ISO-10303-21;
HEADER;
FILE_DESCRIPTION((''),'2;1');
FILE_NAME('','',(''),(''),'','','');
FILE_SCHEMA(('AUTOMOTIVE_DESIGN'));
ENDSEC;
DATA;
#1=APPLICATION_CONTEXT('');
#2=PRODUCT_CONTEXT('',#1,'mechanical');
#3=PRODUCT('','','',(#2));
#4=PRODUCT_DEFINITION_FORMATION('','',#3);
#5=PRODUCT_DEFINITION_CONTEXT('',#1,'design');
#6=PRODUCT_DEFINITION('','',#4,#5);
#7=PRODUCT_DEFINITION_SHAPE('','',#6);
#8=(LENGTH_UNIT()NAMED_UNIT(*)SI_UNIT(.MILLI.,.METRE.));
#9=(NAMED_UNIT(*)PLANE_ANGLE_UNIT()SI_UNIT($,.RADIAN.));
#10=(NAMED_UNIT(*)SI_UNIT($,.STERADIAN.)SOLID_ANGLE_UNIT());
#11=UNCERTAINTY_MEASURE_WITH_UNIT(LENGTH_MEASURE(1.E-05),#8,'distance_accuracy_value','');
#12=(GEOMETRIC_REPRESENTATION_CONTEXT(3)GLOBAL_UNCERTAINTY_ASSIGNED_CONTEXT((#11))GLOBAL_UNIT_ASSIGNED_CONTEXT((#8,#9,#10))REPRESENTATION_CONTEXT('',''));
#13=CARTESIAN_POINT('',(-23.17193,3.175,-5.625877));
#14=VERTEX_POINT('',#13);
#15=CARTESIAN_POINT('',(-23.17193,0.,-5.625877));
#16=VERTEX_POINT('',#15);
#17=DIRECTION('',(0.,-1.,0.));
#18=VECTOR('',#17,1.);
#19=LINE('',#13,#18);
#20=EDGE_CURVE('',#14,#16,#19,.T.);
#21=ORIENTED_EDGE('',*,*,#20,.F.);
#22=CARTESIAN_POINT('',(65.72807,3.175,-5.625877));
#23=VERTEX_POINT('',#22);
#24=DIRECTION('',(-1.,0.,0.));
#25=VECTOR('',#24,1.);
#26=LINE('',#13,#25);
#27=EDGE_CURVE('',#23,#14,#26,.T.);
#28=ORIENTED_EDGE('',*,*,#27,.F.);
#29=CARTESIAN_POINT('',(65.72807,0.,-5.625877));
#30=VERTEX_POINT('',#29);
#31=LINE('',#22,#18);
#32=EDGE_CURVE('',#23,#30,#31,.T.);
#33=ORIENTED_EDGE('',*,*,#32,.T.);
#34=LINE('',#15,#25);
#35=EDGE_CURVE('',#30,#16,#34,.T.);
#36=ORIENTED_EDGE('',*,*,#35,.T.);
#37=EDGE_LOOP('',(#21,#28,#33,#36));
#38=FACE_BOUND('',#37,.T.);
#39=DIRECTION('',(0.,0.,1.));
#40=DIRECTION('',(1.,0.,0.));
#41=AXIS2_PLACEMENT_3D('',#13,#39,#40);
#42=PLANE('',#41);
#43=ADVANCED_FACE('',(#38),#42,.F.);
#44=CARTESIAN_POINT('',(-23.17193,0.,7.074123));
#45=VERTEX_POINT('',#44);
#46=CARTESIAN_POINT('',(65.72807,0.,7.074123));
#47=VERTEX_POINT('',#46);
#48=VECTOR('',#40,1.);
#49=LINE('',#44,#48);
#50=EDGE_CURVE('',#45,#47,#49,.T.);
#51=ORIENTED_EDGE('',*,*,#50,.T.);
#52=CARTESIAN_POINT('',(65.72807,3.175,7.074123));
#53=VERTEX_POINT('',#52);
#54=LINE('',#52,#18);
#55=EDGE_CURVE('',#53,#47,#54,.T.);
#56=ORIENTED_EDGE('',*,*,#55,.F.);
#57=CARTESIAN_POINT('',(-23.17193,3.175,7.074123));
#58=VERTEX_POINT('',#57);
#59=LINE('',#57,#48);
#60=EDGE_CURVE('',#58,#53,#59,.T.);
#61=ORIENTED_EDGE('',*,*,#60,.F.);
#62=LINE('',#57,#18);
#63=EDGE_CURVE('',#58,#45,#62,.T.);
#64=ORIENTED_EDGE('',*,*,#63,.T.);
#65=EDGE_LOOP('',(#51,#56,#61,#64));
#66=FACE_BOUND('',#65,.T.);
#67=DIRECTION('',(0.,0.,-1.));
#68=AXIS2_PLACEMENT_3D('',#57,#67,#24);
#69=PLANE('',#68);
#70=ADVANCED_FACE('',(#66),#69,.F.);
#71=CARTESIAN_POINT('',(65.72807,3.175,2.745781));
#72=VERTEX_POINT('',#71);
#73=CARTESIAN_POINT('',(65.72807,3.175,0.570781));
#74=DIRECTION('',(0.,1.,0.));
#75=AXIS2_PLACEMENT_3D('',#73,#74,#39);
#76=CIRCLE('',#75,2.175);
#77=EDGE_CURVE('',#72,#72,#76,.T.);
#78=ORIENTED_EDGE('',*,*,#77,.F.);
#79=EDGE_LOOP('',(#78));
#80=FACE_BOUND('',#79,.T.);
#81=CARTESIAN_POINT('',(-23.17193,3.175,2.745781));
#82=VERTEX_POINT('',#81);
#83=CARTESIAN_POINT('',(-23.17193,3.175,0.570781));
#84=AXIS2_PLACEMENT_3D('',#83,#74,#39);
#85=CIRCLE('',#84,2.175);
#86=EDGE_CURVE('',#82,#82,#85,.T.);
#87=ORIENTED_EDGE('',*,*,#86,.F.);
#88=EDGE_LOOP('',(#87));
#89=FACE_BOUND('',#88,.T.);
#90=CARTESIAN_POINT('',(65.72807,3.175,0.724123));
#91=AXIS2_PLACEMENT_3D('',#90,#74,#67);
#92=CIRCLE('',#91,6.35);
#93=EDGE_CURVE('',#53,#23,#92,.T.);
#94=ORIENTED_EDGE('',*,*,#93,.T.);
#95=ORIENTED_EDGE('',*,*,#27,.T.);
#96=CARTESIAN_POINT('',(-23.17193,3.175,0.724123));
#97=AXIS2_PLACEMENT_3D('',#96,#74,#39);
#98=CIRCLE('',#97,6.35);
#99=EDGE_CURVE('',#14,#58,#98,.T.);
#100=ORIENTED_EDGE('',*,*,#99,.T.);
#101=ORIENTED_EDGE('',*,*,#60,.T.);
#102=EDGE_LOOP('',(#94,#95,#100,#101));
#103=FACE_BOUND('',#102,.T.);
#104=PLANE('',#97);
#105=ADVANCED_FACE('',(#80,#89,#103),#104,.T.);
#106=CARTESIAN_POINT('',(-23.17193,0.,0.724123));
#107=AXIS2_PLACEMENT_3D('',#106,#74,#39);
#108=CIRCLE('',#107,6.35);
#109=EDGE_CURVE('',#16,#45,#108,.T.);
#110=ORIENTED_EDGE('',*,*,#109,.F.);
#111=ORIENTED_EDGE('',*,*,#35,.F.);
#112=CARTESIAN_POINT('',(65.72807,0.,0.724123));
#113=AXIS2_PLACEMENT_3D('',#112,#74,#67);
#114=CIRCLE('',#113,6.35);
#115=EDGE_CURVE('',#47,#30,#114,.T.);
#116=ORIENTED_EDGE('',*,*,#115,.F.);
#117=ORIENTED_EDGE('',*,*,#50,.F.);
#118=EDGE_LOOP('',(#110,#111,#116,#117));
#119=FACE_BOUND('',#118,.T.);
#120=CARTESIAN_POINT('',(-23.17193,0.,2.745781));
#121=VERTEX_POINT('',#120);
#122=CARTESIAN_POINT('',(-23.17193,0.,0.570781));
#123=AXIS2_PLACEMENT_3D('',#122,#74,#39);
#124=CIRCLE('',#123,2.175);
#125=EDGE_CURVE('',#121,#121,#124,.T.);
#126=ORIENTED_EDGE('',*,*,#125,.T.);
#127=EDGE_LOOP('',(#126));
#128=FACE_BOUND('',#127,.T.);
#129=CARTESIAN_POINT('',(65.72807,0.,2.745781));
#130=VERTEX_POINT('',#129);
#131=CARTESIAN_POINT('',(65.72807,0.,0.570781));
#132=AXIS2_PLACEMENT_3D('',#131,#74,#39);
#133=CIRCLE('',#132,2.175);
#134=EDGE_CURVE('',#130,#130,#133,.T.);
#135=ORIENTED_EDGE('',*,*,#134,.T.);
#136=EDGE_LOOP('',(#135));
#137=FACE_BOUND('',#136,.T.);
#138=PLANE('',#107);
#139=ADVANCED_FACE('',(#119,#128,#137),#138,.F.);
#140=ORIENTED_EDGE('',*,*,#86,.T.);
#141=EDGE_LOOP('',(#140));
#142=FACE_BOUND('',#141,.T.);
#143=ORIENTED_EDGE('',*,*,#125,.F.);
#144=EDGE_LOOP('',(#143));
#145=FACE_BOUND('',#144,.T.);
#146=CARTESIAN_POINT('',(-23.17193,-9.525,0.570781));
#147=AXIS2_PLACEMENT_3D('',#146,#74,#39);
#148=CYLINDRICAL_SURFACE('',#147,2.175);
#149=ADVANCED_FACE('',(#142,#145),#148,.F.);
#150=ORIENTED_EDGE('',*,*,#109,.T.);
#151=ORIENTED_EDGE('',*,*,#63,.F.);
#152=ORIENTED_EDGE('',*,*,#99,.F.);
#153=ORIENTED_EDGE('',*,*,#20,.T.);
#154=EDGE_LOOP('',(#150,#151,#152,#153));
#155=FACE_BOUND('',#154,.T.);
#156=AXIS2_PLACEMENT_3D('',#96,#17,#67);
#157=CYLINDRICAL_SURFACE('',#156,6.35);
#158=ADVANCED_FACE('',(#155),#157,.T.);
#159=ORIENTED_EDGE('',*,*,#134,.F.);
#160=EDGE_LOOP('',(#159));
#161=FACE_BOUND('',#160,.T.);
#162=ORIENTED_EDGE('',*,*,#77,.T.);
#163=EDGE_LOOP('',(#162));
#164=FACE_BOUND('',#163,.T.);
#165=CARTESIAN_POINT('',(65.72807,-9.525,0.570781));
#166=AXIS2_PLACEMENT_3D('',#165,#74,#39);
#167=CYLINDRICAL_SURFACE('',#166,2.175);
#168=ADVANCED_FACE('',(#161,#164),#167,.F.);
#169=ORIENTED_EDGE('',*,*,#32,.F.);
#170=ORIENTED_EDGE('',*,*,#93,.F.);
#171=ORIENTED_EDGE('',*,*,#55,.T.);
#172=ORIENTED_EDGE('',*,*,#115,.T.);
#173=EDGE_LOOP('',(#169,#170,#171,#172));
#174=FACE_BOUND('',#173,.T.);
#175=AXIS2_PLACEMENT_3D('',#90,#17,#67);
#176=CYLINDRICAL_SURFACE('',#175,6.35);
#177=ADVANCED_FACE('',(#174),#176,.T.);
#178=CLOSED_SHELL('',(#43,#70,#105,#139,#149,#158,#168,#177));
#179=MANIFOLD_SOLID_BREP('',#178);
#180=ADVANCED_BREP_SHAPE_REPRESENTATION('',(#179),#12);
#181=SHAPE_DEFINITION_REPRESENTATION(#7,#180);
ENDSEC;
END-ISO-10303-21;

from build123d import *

# Parameters (mm, degrees)
BOSS_EXTRUDE1_DEPTH = 3.175
SKETCH2_R           = 2.175
CUT_EXTRUDE1_DEPTH  = 12.7


with BuildPart() as part:
    # Sketch1 → Boss-Extrude1 (new body)
    with BuildSketch(Plane(origin=(0, 0, 0), x_dir=(1, 0, 0), z_dir=(0, 1, 0))):
        with BuildLine():
            Line((-23.171929825, 5.625877193), (65.728070175, 5.625877193))
            ThreePointArc((65.728070175, 5.625877193), (72.078070175, -0.724122807), (65.728070175, -7.074122807))
            Line((65.728070175, -7.074122807), (-23.171929825, -7.074122807))
            ThreePointArc((-23.171929825, -7.074122807), (-29.521929825, -0.724122807), (-23.171929825, 5.625877193))
        make_face()
    extrude(amount=BOSS_EXTRUDE1_DEPTH)

    # Sketch2 → Cut-Extrude1 (cut)
    with BuildSketch(Plane(origin=(0, 3.175, 0), x_dir=(1, 0, 0), z_dir=(0, 1, 0))):
        with Locations(Location((-23.171929825, -0.570780949, 0), (0, 0, 270))):
            Circle(SKETCH2_R)
        with Locations(Location((65.728070175, -0.570780949, 0), (0, 0, 270))):
            Circle(SKETCH2_R)
    extrude(amount=-CUT_EXTRUDE1_DEPTH, mode=Mode.SUBTRACT)


solid = part.part
